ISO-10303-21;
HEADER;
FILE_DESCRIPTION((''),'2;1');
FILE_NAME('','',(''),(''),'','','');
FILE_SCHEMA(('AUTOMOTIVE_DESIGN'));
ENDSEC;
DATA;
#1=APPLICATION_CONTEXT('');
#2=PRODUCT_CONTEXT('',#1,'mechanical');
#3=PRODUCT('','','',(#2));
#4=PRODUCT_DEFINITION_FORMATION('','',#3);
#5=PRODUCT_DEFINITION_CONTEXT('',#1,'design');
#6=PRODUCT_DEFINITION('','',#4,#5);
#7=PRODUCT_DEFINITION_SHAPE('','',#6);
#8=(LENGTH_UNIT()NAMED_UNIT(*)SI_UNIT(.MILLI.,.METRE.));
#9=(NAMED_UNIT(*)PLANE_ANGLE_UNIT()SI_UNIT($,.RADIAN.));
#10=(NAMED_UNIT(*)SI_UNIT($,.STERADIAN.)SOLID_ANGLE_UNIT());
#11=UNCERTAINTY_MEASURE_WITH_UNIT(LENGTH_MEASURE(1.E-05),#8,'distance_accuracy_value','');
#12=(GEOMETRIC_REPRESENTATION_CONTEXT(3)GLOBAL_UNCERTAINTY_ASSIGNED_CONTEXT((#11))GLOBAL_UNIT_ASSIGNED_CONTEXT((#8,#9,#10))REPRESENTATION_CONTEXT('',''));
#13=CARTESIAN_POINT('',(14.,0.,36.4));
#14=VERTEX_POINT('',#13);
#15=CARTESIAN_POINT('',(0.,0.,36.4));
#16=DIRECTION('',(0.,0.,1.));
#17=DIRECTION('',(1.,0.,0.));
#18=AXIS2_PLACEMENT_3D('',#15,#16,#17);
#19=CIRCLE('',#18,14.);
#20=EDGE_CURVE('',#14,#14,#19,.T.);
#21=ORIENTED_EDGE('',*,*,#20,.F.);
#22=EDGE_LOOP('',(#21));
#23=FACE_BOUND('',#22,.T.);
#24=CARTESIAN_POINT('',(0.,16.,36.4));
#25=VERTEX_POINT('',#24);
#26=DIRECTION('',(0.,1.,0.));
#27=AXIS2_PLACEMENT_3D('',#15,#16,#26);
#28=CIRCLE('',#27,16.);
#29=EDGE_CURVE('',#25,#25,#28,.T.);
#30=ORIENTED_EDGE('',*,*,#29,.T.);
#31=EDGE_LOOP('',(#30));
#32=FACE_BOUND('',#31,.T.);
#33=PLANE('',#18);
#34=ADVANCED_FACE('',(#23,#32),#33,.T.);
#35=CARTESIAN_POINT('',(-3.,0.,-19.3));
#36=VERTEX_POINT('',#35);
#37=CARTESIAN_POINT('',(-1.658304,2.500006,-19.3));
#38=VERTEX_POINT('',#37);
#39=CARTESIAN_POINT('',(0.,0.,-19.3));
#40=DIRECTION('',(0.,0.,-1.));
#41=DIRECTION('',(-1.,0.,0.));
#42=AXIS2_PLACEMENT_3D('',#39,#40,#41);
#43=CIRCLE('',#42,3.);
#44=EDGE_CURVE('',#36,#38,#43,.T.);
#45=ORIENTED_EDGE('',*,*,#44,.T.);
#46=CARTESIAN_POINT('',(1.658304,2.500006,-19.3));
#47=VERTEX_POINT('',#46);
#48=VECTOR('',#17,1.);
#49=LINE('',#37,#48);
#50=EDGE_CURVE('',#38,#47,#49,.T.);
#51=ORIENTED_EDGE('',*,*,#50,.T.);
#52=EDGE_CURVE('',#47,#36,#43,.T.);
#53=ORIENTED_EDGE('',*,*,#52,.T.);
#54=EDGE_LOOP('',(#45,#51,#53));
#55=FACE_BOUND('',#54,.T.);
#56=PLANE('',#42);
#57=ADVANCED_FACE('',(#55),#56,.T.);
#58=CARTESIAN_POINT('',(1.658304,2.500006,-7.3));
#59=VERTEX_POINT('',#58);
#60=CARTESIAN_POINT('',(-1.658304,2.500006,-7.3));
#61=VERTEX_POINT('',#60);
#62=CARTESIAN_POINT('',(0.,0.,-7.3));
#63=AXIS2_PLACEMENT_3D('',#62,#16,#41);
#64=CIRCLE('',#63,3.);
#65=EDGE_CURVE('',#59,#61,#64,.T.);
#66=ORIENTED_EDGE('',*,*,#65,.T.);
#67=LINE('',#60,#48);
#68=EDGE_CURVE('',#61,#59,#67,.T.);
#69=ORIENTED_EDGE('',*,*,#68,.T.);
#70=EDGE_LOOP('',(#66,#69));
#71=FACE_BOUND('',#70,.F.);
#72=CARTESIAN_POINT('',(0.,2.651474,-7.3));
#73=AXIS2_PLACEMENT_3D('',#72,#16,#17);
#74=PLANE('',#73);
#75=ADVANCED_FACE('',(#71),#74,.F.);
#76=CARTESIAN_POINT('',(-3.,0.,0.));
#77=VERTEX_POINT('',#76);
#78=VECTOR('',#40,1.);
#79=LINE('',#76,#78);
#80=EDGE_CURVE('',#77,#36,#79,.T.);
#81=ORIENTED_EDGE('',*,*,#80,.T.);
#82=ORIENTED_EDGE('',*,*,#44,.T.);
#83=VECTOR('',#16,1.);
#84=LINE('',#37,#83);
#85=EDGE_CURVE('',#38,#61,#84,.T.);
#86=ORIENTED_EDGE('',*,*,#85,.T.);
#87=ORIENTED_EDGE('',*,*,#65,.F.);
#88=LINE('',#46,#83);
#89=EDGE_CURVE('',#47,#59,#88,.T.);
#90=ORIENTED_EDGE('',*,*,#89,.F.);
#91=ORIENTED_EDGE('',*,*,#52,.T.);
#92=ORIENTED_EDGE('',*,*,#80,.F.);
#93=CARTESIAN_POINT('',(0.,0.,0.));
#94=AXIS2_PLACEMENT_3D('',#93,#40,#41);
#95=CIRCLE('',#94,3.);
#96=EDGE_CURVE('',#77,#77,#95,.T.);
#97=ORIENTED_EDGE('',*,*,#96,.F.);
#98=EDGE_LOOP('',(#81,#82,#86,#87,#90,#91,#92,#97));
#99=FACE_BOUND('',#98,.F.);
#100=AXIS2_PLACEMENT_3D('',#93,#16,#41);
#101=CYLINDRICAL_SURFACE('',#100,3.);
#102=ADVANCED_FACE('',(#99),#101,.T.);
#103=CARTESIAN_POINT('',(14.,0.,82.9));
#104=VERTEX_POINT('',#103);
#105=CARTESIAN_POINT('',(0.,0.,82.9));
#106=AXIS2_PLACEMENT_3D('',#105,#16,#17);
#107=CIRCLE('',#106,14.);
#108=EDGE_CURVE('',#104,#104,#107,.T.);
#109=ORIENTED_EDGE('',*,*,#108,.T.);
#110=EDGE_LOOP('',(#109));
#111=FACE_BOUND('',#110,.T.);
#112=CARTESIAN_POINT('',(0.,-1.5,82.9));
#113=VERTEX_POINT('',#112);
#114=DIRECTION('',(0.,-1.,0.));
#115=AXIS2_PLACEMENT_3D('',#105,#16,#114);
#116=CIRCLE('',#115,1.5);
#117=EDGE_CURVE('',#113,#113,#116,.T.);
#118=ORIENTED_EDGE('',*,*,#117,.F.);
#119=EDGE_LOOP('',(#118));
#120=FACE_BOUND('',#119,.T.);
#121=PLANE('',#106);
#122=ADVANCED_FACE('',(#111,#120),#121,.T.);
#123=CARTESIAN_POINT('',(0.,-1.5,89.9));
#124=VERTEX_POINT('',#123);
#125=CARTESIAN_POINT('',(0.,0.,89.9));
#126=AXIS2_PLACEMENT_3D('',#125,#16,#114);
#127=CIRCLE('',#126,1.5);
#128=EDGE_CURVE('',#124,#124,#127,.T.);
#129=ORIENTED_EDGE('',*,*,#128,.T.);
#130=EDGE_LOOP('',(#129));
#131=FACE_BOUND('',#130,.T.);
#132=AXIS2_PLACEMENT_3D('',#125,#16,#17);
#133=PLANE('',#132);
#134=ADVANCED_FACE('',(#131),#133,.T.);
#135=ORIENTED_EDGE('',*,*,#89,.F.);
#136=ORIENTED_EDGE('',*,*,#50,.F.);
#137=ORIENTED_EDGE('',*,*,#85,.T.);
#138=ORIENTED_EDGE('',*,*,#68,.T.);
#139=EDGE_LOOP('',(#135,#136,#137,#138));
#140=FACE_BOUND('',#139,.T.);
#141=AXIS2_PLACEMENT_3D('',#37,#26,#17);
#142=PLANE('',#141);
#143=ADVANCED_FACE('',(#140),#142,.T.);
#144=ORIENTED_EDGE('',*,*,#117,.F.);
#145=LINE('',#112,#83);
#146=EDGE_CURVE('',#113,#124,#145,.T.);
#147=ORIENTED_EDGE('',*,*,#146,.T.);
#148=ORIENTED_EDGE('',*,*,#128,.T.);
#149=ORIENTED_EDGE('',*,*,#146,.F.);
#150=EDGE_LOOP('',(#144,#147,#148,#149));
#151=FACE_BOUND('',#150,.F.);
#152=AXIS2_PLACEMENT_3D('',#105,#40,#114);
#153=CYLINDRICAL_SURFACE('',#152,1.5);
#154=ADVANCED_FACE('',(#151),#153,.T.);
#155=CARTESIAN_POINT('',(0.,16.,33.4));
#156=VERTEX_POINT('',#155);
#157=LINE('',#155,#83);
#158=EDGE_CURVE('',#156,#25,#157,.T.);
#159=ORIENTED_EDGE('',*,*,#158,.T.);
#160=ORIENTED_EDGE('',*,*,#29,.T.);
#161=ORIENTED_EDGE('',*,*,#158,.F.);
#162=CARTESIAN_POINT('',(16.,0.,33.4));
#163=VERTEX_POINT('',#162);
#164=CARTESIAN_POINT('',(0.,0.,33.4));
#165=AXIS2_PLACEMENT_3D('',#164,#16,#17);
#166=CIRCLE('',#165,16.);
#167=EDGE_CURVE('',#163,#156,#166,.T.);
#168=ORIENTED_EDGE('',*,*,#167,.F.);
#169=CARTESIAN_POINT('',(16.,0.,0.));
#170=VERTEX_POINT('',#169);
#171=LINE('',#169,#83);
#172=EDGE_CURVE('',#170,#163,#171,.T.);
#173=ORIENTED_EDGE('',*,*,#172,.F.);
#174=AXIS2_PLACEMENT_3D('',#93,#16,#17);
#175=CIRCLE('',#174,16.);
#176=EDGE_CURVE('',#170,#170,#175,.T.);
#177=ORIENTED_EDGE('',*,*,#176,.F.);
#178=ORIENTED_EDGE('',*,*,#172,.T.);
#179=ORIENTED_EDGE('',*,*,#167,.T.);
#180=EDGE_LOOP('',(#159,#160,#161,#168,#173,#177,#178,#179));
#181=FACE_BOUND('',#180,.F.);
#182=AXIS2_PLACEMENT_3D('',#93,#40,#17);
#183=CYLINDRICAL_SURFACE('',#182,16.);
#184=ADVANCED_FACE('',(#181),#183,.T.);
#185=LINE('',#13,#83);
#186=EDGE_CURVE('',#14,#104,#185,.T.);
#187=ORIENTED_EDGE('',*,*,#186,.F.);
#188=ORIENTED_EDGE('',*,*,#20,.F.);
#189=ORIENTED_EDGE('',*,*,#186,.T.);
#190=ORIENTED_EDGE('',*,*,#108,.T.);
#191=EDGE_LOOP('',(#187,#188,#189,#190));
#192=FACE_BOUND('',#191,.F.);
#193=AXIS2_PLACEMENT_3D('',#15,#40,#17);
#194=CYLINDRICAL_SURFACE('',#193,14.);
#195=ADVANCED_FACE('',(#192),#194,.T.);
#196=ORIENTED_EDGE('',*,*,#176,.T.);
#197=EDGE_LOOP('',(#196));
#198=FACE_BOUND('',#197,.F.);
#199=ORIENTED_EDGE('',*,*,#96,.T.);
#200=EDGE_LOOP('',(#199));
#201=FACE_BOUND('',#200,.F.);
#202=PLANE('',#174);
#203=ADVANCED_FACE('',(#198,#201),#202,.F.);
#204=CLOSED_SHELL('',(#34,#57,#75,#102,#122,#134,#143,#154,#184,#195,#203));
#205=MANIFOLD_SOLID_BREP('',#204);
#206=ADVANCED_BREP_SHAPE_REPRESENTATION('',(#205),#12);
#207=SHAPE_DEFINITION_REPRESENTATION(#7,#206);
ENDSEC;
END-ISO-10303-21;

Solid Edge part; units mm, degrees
sketch "Sketch1" plane through (0, 0, 0) normal (0, 0, 1) x (1, 0, 0)
  circle A0 centre (0, 0) radius 16
extrude "Protrusion1" add sketch "Sketch1" along normal blind 33.4
sketch "Sketch2" plane through (0, 0, 33.4) normal (0, 0, 1) x (0, 1, 0)
  circle A0 centre (0, 0) radius 16
extrude "ExtrudedProtrusion_2" add sketch "Sketch2" along normal blind 3
sketch "Sketch3" plane through (0, 0, 36.4) normal (0, 0, 1) x (1, 0, 0)
  circle A0 centre (0, 0) radius 14
  dimension "D1" = 28
extrude "ExtrudedProtrusion_3" add sketch "Sketch3" along normal blind 46.5
sketch "Sketch4" plane through (0, 0, 82.9) normal (0, 0, 1) x (0, -1, 0)
  circle A0 centre (0, 0) radius 1.5
  dimension "D1" = 3
extrude "ExtrudedProtrusion_4" add sketch "Sketch4" along normal blind 7
sketch "Sketch5" plane through (0, 0, 0) normal (0, 0, -1) x (-1, 0, 0)
  circle A0 centre (0, 0) radius 3
extrude "ExtrudedProtrusion_5" add sketch "Sketch5" along normal blind 19.3
sketch "Sketch6" plane through (0, 0, -19.3) normal (0, 0, -1) x (-1, 0, 0)
  line L0 (1.6583, 2.5) -> (-1.6583, 2.5)
  arc A0 (-1.6583, 2.5) -> (1.6583, 2.5) centre (0, 0) cw
extrude "ExtrudedCutout_1" cut sketch "Sketch6" against normal blind 12
